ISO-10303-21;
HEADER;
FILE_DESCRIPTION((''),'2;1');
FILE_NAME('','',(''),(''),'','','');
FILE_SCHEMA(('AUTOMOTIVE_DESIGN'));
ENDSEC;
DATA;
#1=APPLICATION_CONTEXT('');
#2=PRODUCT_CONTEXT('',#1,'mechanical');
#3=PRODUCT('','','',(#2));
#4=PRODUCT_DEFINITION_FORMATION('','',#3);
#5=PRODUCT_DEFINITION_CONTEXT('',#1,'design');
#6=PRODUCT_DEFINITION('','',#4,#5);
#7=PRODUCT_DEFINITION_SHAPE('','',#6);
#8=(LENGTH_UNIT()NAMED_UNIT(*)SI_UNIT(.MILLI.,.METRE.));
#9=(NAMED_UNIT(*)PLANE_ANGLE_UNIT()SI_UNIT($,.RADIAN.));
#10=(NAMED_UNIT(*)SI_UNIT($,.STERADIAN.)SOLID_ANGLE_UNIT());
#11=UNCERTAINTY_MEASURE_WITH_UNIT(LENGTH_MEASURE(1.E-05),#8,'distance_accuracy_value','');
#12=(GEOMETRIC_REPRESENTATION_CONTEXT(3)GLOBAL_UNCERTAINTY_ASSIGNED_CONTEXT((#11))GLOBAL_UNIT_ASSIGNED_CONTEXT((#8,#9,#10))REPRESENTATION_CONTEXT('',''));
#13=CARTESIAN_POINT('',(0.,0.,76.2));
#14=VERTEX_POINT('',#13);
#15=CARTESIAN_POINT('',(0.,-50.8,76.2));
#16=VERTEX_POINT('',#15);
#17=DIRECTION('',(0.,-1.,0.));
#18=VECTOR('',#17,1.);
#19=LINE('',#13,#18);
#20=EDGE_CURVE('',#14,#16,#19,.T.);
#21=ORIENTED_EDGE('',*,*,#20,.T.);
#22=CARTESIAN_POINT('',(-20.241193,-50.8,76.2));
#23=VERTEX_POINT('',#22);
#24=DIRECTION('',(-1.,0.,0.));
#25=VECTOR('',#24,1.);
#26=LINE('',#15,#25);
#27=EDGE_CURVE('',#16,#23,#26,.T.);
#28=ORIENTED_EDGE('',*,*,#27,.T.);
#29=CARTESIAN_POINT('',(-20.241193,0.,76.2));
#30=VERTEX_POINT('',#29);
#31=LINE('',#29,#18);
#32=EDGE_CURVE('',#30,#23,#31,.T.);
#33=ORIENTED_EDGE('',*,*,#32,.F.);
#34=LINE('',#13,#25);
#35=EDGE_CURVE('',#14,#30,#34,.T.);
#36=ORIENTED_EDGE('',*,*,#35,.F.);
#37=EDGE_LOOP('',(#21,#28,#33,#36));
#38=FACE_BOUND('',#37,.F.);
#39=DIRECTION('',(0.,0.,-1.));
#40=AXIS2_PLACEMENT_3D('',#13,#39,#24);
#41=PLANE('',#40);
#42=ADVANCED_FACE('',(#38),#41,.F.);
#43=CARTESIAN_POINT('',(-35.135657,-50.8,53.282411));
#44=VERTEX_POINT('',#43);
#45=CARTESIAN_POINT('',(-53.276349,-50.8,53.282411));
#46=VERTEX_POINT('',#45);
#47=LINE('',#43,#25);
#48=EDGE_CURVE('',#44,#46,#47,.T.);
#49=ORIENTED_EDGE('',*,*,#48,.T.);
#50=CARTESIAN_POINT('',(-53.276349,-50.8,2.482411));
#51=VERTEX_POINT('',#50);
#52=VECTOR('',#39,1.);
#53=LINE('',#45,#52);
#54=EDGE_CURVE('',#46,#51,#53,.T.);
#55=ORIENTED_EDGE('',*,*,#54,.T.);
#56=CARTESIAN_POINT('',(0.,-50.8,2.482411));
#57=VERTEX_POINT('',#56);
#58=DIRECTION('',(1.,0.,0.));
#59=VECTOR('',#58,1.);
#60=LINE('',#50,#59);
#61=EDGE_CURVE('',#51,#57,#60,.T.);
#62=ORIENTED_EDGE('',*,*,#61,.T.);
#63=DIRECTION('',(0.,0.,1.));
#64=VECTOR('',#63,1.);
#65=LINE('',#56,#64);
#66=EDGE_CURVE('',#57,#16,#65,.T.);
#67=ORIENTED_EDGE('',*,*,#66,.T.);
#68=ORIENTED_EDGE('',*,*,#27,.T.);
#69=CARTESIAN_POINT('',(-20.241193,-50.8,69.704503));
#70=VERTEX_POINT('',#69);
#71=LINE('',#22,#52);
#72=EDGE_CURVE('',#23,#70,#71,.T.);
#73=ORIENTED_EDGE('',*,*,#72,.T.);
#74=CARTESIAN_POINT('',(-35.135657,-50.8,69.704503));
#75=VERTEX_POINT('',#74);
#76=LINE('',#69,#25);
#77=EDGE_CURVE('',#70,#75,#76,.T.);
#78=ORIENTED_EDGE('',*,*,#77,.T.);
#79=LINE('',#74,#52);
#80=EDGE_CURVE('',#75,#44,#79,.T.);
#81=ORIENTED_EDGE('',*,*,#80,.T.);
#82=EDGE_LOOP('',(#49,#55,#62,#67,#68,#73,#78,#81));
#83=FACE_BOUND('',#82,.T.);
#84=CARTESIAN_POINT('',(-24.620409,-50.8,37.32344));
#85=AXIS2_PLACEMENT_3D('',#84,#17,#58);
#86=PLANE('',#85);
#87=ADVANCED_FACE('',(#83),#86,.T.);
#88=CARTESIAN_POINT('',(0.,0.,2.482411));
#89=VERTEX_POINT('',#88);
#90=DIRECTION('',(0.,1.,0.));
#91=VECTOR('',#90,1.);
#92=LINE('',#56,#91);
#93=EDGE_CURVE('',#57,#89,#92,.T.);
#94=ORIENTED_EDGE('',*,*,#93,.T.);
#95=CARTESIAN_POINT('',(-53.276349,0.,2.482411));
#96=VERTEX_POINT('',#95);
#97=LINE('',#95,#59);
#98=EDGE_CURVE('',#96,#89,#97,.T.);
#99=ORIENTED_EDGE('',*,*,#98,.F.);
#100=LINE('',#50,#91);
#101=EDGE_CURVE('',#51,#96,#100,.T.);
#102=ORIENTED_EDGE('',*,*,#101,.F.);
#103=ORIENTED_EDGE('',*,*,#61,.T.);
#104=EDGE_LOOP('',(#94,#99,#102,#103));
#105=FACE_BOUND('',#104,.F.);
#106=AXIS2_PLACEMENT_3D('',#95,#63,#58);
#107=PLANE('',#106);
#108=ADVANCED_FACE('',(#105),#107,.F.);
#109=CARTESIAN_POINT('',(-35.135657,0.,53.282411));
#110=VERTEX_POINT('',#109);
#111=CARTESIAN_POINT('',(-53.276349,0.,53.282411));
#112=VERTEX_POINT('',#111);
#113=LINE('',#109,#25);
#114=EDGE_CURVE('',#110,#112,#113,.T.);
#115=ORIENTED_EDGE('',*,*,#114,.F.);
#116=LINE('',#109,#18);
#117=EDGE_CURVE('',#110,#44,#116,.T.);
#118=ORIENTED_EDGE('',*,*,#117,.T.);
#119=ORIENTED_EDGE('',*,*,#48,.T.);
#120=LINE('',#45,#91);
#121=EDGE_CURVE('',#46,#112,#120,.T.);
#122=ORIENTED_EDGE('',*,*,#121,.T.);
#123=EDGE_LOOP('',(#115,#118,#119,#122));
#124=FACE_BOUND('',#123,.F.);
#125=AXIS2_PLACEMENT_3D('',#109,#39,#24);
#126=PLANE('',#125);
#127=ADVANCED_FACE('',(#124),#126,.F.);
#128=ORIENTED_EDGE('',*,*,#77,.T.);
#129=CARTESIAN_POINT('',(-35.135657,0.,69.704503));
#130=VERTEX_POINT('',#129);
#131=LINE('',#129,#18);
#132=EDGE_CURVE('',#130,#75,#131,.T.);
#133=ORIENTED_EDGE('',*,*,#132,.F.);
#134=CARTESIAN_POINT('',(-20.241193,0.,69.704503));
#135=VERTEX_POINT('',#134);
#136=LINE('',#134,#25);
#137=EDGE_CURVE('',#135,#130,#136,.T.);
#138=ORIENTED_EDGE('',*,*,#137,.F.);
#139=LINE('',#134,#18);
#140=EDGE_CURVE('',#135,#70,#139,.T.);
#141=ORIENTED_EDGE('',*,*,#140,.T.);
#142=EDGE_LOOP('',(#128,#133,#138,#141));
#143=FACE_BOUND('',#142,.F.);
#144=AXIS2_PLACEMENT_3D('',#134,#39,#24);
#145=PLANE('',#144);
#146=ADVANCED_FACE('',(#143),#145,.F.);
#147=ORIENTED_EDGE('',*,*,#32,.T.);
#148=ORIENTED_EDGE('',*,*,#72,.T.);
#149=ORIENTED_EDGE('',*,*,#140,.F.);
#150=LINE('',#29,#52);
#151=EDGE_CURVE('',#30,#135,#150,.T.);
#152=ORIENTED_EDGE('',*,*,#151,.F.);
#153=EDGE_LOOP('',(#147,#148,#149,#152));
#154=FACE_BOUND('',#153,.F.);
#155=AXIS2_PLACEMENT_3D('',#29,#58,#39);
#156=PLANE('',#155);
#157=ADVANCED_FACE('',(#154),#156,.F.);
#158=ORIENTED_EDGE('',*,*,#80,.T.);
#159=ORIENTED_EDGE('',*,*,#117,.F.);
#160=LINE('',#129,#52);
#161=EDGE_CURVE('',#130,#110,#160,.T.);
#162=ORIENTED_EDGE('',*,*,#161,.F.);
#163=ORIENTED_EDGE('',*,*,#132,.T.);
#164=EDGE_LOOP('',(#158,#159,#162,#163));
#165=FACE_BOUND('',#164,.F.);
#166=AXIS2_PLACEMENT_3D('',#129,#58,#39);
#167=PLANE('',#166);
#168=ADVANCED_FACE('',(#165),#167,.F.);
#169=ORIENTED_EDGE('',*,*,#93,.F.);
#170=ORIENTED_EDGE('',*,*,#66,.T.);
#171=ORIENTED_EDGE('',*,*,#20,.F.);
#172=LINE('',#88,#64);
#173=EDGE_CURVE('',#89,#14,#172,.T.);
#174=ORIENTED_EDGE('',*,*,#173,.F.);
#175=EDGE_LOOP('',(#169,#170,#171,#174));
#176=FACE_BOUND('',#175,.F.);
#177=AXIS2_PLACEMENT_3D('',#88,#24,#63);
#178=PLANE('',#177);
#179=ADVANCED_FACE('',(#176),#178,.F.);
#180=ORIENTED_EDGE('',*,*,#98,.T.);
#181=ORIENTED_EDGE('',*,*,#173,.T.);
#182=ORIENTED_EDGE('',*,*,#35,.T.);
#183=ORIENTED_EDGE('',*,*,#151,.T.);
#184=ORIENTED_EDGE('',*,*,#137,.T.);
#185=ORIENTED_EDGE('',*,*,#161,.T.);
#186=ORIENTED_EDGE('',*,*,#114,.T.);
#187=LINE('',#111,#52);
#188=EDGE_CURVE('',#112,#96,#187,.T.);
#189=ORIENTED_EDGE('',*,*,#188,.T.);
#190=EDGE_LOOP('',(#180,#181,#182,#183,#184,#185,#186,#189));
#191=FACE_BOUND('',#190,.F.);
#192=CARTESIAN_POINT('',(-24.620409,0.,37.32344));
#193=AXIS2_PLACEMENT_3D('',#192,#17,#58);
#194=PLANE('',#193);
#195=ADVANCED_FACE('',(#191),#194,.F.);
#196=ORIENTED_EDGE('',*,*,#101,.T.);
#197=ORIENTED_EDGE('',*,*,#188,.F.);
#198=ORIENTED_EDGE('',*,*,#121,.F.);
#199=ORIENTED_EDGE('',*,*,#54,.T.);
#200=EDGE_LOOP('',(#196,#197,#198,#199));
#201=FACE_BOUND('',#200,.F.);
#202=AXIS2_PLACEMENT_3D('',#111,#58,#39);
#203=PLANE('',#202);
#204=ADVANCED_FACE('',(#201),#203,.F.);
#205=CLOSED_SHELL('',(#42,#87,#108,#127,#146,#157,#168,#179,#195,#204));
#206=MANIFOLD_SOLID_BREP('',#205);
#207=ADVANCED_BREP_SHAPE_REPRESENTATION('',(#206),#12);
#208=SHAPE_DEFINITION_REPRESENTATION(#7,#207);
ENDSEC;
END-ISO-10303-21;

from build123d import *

# Parameters (mm, degrees)
F1_DEPTH = 25.4
F2_DEPTH = 50.8


with BuildPart() as f1:
    # F0 (on Front) → F1 (new body)
    with BuildSketch(Plane.XZ):
        Polygon((-2.476349, 2.482411), (0, 2.482411), (0, 76.2), (-20.241193, 76.2), (-20.241193, 69.704503), (-35.135657, 69.704503), (-35.135657, 53.282411), (-53.276349, 53.282411), (-53.276349, 2.482411), align=None)
    extrude(amount=F1_DEPTH)

    # F0 (on Front) → F2 (join)
    with BuildSketch(Plane.XZ):
        Polygon((-2.476349, 2.482411), (0, 2.482411), (0, 76.2), (-20.241193, 76.2), (-20.241193, 69.704503), (-35.135657, 69.704503), (-35.135657, 53.282411), (-53.276349, 53.282411), (-53.276349, 2.482411), align=None)
    extrude(amount=F2_DEPTH)


solid = f1.part
